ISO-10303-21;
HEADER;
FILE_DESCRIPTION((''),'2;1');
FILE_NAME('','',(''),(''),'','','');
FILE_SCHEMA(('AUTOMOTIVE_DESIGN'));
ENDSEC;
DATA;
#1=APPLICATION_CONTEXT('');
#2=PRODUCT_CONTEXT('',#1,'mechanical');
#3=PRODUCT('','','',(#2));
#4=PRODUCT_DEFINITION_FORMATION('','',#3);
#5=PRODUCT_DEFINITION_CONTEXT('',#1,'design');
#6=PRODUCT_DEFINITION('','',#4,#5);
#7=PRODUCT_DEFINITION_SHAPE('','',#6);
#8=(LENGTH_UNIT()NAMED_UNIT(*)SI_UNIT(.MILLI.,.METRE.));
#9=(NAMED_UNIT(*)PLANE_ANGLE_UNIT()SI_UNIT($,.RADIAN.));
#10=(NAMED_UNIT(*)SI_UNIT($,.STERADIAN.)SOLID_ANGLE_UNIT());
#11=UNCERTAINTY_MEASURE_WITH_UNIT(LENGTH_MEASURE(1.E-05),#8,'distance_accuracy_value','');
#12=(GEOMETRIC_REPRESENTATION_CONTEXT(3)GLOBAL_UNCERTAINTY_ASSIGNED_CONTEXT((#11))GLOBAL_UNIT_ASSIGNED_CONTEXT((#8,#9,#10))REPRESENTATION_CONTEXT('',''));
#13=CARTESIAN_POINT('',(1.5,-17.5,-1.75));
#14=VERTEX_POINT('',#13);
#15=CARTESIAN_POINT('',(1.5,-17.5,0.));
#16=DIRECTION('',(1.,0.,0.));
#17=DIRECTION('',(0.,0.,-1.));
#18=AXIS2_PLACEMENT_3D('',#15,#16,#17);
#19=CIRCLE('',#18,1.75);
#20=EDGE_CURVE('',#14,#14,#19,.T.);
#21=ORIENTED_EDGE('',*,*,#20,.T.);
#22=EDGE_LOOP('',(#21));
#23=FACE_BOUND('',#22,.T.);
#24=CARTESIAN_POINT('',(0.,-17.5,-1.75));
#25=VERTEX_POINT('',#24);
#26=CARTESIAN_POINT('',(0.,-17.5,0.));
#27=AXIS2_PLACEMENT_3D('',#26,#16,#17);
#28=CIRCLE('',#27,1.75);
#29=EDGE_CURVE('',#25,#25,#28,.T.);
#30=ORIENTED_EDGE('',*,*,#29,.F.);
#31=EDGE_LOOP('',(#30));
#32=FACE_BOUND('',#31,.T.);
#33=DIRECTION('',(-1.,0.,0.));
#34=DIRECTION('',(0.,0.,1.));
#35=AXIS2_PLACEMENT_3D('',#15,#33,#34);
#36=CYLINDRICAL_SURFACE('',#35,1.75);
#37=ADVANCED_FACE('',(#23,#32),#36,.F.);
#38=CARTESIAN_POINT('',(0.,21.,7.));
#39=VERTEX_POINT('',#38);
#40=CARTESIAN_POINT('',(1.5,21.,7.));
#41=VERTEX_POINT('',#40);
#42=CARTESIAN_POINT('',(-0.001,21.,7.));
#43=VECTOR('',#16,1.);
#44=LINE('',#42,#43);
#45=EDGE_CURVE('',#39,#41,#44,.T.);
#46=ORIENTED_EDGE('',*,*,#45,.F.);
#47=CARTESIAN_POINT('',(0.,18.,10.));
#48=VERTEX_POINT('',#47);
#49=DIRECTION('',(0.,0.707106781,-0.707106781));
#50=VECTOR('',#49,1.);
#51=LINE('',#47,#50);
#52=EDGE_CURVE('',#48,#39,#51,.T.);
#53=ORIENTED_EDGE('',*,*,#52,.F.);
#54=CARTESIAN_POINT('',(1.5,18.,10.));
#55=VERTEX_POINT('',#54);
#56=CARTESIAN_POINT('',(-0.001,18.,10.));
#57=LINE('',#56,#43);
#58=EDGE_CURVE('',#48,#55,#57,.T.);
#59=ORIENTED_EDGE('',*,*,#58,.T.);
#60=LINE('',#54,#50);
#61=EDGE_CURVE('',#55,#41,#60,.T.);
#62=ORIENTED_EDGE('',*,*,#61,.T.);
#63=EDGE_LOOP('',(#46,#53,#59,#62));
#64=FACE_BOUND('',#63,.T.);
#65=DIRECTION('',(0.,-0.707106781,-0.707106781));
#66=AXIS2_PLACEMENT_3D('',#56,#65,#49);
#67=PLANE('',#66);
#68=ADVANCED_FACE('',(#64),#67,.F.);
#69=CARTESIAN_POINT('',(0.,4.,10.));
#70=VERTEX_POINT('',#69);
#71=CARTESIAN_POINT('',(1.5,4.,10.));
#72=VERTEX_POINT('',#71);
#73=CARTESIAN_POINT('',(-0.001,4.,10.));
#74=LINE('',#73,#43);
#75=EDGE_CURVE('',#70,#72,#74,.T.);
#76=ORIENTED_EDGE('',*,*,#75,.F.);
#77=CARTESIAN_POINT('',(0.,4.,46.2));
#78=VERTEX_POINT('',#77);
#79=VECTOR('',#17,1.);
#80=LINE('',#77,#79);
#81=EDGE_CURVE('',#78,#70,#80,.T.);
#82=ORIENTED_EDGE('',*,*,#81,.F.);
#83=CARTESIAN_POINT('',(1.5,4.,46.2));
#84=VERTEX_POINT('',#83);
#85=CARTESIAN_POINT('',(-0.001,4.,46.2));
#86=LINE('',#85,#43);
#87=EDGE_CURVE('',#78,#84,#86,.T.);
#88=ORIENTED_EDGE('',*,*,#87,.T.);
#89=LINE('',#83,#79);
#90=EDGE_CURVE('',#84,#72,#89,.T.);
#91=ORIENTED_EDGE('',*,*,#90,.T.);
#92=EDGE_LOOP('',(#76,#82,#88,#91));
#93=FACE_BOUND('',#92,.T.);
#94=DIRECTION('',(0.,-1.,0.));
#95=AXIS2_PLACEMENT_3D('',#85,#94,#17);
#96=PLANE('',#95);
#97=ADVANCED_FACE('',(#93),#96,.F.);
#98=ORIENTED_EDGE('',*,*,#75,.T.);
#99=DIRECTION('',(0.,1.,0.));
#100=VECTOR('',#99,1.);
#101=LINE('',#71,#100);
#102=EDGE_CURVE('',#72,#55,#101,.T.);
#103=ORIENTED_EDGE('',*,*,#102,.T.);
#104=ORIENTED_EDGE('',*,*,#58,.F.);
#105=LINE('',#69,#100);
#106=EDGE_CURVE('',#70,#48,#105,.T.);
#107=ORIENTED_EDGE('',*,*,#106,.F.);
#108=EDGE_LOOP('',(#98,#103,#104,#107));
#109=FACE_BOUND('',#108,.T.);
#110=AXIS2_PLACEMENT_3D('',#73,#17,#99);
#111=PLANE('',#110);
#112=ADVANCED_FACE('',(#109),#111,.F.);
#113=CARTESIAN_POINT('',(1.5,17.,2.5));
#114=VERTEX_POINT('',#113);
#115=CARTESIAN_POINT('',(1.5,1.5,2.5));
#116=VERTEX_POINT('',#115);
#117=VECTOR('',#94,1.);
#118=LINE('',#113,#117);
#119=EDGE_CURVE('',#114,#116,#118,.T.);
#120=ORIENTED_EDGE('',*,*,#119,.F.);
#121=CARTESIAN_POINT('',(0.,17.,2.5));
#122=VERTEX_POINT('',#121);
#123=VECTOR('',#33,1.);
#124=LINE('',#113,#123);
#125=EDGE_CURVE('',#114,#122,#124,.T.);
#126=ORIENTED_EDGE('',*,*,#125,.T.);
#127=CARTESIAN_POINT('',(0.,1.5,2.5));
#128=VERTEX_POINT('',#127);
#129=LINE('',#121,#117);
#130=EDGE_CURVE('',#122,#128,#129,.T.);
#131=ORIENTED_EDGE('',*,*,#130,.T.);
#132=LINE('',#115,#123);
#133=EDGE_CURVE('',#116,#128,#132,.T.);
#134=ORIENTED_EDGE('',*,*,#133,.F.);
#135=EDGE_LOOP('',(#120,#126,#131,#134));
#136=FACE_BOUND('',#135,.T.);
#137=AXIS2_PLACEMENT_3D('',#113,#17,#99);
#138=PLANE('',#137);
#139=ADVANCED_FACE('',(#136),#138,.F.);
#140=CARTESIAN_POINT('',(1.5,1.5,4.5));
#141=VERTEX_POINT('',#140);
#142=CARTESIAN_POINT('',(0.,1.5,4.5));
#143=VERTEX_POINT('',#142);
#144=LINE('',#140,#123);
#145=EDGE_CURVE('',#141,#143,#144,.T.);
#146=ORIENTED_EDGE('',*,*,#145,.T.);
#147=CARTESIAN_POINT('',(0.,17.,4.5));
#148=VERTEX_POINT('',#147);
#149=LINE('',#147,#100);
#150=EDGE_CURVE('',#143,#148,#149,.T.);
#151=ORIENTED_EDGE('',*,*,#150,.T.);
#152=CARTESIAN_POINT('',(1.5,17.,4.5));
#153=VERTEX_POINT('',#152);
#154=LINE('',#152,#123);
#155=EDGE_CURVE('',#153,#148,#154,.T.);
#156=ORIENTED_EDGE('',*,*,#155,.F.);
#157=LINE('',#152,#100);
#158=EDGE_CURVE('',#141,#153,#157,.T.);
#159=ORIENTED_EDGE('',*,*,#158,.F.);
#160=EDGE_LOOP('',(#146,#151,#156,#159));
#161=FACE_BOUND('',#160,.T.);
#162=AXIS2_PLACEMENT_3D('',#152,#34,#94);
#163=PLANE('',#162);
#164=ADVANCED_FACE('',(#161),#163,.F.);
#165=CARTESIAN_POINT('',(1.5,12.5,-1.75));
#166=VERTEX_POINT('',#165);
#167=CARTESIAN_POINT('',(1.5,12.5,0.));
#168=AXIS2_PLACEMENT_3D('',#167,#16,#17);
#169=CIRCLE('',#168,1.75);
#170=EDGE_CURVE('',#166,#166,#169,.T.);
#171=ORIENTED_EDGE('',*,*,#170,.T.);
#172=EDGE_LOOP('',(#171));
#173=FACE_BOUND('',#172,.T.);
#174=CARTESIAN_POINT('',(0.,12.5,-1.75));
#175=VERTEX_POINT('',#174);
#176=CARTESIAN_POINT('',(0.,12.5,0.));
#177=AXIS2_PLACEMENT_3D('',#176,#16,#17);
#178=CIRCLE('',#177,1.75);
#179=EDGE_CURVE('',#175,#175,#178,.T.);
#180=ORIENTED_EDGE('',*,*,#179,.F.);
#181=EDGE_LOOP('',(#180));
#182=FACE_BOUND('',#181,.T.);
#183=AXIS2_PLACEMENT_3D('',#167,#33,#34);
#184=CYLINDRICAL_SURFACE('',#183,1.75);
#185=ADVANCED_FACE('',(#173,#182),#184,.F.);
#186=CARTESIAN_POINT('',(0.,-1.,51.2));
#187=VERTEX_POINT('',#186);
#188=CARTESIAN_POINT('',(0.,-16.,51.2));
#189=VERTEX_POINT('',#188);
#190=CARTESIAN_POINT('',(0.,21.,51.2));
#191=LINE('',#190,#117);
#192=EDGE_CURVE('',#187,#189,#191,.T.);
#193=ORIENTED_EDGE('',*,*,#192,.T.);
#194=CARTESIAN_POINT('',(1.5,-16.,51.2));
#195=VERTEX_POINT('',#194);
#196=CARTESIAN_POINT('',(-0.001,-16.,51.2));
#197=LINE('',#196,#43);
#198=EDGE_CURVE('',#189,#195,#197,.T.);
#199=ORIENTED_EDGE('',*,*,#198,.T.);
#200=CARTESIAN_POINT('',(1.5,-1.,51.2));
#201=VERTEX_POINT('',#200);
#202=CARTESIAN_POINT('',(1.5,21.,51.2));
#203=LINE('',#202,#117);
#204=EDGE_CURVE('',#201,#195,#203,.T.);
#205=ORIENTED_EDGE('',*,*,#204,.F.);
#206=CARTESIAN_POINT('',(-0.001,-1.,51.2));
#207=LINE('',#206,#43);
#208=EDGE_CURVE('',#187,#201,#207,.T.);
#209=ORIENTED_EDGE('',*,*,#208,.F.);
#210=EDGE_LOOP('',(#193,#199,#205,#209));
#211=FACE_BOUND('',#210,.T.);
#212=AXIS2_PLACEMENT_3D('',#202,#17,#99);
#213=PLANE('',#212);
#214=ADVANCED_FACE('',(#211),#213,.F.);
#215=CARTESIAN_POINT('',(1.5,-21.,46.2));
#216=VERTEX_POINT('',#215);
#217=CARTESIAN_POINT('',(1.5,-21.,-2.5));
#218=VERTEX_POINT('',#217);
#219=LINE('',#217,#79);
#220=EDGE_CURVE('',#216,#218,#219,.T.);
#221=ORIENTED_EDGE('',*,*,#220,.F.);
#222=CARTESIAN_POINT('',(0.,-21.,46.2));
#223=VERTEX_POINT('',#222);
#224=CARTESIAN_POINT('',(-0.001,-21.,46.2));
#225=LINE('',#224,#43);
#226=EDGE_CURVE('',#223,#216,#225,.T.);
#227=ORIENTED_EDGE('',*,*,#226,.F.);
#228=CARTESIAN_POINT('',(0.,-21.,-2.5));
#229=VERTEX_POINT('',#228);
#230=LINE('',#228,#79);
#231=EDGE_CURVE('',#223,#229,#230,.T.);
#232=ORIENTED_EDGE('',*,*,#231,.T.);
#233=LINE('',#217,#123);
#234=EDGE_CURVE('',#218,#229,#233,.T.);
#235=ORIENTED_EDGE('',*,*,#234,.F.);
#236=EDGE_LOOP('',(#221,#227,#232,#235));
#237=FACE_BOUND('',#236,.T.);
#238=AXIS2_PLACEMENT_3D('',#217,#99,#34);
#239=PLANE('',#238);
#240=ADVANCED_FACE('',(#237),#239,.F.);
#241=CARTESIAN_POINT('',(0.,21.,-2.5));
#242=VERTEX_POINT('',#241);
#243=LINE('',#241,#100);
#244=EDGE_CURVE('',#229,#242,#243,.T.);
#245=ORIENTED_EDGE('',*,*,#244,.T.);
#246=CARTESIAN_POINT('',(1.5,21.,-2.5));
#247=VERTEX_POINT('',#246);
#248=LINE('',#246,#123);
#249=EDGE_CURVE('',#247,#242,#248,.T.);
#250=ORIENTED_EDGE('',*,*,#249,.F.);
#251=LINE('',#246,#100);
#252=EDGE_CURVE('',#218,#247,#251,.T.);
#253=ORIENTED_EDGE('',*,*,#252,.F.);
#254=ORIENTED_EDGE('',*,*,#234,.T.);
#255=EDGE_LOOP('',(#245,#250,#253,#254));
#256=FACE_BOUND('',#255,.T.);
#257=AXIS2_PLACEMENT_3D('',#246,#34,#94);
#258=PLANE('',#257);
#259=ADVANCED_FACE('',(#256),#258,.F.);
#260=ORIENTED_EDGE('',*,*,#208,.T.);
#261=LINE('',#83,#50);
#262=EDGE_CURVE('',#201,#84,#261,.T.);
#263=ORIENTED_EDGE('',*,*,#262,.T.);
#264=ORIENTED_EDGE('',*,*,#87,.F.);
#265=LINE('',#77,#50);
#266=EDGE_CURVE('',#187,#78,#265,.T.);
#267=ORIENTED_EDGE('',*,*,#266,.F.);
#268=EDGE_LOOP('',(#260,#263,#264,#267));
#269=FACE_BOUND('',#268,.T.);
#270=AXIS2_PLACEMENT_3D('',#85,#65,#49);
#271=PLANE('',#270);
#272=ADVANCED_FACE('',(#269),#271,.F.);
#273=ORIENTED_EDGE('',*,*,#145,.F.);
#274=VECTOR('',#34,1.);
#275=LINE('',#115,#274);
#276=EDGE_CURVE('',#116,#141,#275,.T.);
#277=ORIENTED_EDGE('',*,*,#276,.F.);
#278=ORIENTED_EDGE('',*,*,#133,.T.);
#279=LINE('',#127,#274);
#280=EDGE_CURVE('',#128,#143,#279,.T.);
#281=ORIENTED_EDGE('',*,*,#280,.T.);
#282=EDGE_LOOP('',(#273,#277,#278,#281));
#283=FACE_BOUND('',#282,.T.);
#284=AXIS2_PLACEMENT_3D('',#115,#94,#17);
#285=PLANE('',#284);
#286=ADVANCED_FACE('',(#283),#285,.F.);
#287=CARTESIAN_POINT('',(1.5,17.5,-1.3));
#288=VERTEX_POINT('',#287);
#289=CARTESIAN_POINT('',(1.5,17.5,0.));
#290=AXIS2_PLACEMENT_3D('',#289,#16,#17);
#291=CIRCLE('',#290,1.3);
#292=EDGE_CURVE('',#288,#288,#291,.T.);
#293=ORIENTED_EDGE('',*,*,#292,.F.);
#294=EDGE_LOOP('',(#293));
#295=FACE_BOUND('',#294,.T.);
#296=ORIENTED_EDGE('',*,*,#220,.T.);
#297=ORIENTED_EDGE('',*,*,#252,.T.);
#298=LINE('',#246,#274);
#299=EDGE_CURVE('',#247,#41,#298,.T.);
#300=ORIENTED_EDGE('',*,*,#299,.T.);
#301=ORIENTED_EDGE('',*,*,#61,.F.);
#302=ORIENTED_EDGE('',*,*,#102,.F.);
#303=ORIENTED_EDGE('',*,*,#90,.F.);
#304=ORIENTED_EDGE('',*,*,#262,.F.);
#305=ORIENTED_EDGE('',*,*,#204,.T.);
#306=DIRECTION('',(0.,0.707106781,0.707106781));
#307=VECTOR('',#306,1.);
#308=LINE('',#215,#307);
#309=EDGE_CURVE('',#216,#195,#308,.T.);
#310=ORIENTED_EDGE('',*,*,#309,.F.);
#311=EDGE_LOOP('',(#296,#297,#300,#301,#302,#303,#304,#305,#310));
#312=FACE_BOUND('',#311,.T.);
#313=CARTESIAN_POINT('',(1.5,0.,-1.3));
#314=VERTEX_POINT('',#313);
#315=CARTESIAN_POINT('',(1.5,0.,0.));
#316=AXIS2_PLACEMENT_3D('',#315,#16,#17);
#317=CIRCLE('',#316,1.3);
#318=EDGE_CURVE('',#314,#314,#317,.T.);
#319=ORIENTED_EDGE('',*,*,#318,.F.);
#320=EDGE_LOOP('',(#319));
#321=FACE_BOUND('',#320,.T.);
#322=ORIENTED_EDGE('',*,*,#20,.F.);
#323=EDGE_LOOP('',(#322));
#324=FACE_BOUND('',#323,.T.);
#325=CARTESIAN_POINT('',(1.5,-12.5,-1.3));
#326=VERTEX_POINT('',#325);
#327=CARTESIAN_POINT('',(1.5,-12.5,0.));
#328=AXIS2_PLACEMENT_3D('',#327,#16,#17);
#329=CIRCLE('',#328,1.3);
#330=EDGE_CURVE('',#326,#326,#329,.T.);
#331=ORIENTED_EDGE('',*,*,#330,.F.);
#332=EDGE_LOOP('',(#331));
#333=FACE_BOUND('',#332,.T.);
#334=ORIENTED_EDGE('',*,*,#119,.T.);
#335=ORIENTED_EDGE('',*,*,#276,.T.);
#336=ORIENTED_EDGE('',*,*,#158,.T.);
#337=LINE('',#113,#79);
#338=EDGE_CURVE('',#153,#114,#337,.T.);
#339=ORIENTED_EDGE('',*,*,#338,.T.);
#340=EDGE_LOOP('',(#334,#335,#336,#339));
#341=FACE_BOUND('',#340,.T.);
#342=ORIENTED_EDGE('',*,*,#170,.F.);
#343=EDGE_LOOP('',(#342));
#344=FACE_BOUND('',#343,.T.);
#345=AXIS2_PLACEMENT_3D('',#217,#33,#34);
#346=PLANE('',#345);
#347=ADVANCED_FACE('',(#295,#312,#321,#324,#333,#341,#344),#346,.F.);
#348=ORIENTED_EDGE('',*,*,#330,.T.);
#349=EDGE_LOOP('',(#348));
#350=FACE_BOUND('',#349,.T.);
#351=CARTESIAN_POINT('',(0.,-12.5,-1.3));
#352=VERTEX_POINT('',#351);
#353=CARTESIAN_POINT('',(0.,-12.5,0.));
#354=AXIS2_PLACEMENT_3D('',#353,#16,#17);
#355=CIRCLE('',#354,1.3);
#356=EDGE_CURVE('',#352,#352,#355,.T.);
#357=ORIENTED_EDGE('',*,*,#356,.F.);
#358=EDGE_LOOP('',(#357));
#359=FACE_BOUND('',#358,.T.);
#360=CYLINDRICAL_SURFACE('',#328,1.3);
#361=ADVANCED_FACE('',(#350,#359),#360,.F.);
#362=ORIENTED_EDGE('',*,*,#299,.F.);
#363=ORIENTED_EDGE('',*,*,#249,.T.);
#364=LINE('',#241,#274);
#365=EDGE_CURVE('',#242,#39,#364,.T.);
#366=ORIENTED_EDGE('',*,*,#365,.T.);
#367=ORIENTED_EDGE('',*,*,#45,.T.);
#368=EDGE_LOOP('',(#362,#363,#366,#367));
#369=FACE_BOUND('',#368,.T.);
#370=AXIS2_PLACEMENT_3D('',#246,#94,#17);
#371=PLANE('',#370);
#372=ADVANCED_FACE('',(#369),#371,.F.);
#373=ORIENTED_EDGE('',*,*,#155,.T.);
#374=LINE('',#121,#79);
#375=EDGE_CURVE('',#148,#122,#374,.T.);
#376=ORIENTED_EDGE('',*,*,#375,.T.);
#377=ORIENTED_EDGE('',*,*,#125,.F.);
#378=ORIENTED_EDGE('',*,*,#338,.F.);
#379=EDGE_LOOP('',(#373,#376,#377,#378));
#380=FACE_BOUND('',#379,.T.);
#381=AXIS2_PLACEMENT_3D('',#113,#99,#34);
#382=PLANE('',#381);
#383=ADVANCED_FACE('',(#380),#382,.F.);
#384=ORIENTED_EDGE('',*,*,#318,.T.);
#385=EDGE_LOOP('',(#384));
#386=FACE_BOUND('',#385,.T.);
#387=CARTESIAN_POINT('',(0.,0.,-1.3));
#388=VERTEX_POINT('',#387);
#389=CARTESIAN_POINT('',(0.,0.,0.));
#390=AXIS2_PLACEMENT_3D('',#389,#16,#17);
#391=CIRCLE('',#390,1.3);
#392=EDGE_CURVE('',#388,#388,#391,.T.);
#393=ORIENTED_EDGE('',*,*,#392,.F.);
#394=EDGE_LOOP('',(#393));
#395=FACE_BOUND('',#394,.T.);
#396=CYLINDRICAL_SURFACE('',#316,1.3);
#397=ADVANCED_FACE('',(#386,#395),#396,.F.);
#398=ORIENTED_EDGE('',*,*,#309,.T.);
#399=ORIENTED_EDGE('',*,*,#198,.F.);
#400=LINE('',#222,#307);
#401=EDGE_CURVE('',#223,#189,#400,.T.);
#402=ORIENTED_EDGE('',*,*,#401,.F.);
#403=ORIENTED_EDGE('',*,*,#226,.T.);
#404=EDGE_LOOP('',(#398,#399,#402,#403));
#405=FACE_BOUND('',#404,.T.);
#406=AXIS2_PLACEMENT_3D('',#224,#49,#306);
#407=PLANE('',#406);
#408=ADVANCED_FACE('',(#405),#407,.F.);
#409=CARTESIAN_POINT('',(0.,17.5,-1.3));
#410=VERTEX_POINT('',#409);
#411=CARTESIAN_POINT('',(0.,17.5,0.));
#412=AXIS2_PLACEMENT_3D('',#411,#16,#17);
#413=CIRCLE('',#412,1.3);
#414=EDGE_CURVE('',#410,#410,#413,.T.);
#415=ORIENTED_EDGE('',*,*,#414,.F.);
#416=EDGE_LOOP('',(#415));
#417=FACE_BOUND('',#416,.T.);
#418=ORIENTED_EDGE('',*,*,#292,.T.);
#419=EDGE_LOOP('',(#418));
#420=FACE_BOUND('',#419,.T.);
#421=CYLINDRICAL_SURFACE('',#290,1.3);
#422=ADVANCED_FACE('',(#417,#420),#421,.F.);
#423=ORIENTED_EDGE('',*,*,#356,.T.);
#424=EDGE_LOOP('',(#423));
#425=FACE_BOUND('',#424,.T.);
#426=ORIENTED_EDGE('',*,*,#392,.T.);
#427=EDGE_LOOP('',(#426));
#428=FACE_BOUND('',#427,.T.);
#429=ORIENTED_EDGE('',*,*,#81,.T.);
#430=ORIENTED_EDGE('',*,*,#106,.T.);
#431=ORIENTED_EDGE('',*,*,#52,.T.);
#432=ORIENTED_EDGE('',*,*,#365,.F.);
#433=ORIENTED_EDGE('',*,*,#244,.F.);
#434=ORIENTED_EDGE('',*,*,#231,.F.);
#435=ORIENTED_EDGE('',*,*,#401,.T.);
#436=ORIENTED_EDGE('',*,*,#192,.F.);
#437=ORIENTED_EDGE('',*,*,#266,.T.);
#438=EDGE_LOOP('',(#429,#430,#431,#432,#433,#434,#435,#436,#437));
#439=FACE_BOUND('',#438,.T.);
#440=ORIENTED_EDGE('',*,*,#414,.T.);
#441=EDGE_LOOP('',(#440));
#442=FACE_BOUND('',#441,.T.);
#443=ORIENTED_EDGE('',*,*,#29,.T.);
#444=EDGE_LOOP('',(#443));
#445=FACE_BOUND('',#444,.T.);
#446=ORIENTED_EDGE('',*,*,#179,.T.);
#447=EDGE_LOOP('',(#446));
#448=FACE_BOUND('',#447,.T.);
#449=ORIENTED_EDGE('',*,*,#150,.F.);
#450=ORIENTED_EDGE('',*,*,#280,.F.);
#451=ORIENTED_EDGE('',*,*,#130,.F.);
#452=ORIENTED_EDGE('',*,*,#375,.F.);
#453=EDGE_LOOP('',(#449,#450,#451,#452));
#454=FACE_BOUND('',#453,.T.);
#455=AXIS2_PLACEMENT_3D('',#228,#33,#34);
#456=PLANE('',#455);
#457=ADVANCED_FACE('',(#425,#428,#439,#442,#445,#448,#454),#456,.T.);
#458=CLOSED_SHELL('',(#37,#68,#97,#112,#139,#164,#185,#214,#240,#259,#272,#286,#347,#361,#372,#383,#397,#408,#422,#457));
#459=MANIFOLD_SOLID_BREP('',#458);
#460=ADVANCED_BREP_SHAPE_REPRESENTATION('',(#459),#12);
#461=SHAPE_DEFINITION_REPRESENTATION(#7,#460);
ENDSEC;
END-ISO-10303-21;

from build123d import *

# Parameters (mm, degrees)
ESQUISSE1_W                            = 53.7
ESQUISSE1_H                            = 42
ESQUISSE1_R                            = 1.75
EXTRUSION1_DEPTH                       = 1.5
FRAISAGE_POUR_VIS_T_TE_FRAIS_E_M2_51_D = 2.59999988
ESQUISSE5_W                            = 2
ESQUISSE5_H                            = 15.5
ENL_V_MAT_EXTRU_1_DEPTH                = 56.35964234
ENL_V_MAT_EXTRU_2_REACH                = 57.36


with BuildPart() as part:
    # Esquisse1 → Extrusion1 (new body)
    with BuildSketch(Plane(origin=(0, 0, 0), x_dir=(0, 0, -1), z_dir=(1, 0, 0))):
        with Locations((-24.35, 0)):
            Rectangle(ESQUISSE1_W, ESQUISSE1_H)
        with Locations((0, -17.5)):
            Circle(ESQUISSE1_R, mode=Mode.SUBTRACT)
        with Locations((0, 12.5)):
            Circle(ESQUISSE1_R, mode=Mode.SUBTRACT)
    extrude(amount=EXTRUSION1_DEPTH)

    # Fraisage pour vis à tête fraisée M2.51 (through all)
    with Locations(Plane(origin=(1.5, 0, 0), x_dir=(0, 0, -1), z_dir=(1, 0, 0))):
        with Locations((0, 17.5), (0, -12.5), (0, 0)):
            Hole(FRAISAGE_POUR_VIS_T_TE_FRAIS_E_M2_51_D / 2)

    # Esquisse5 → Enlèv. mat.-Extru.1 (cut, through all)
    with BuildSketch(Plane.ZY):
        with Locations((3.5, 9.25)):
            Rectangle(ESQUISSE5_W, ESQUISSE5_H)
    extrude(amount=-ENL_V_MAT_EXTRU_1_DEPTH, mode=Mode.SUBTRACT)

    # Esquisse6 → Enlèv. mat.-Extru.2 (cut, up to next)
    with BuildSketch(Plane(origin=(1.5, 0, 0), x_dir=(0, 0, -1), z_dir=(1, 0, 0)), mode=Mode.PRIVATE) as enl_v_mat_extru_2_sk1:
        Polygon((-51.2, 21), (-51.2, -1), (-46.2, 4), (-10, 4), (-10, 18), (-7, 21), align=None)
    enl_v_mat_extru_2_tool1 = extrude(enl_v_mat_extru_2_sk1.sketch, amount=-ENL_V_MAT_EXTRU_2_REACH, mode=Mode.PRIVATE) & part.part
    # Esquisse6 → Enlèv. mat.-Extru.2 (cut, up to next)
    with BuildSketch(Plane(origin=(1.5, 0, 0), x_dir=(0, 0, -1), z_dir=(1, 0, 0)), mode=Mode.PRIVATE) as enl_v_mat_extru_2_sk2:
        Polygon((-51.2, -21), (-46.2, -21), (-51.2, -16), align=None)
    enl_v_mat_extru_2_tool2 = extrude(enl_v_mat_extru_2_sk2.sketch, amount=-ENL_V_MAT_EXTRU_2_REACH, mode=Mode.PRIVATE) & part.part
    add(enl_v_mat_extru_2_tool1.solids().sort_by_distance((1.5, 12.369901, 30.794406))[0], mode=Mode.SUBTRACT)
    add(enl_v_mat_extru_2_tool2.solids().sort_by_distance((1.5, -19.333333, 49.533333))[0], mode=Mode.SUBTRACT)


solid = part.part
